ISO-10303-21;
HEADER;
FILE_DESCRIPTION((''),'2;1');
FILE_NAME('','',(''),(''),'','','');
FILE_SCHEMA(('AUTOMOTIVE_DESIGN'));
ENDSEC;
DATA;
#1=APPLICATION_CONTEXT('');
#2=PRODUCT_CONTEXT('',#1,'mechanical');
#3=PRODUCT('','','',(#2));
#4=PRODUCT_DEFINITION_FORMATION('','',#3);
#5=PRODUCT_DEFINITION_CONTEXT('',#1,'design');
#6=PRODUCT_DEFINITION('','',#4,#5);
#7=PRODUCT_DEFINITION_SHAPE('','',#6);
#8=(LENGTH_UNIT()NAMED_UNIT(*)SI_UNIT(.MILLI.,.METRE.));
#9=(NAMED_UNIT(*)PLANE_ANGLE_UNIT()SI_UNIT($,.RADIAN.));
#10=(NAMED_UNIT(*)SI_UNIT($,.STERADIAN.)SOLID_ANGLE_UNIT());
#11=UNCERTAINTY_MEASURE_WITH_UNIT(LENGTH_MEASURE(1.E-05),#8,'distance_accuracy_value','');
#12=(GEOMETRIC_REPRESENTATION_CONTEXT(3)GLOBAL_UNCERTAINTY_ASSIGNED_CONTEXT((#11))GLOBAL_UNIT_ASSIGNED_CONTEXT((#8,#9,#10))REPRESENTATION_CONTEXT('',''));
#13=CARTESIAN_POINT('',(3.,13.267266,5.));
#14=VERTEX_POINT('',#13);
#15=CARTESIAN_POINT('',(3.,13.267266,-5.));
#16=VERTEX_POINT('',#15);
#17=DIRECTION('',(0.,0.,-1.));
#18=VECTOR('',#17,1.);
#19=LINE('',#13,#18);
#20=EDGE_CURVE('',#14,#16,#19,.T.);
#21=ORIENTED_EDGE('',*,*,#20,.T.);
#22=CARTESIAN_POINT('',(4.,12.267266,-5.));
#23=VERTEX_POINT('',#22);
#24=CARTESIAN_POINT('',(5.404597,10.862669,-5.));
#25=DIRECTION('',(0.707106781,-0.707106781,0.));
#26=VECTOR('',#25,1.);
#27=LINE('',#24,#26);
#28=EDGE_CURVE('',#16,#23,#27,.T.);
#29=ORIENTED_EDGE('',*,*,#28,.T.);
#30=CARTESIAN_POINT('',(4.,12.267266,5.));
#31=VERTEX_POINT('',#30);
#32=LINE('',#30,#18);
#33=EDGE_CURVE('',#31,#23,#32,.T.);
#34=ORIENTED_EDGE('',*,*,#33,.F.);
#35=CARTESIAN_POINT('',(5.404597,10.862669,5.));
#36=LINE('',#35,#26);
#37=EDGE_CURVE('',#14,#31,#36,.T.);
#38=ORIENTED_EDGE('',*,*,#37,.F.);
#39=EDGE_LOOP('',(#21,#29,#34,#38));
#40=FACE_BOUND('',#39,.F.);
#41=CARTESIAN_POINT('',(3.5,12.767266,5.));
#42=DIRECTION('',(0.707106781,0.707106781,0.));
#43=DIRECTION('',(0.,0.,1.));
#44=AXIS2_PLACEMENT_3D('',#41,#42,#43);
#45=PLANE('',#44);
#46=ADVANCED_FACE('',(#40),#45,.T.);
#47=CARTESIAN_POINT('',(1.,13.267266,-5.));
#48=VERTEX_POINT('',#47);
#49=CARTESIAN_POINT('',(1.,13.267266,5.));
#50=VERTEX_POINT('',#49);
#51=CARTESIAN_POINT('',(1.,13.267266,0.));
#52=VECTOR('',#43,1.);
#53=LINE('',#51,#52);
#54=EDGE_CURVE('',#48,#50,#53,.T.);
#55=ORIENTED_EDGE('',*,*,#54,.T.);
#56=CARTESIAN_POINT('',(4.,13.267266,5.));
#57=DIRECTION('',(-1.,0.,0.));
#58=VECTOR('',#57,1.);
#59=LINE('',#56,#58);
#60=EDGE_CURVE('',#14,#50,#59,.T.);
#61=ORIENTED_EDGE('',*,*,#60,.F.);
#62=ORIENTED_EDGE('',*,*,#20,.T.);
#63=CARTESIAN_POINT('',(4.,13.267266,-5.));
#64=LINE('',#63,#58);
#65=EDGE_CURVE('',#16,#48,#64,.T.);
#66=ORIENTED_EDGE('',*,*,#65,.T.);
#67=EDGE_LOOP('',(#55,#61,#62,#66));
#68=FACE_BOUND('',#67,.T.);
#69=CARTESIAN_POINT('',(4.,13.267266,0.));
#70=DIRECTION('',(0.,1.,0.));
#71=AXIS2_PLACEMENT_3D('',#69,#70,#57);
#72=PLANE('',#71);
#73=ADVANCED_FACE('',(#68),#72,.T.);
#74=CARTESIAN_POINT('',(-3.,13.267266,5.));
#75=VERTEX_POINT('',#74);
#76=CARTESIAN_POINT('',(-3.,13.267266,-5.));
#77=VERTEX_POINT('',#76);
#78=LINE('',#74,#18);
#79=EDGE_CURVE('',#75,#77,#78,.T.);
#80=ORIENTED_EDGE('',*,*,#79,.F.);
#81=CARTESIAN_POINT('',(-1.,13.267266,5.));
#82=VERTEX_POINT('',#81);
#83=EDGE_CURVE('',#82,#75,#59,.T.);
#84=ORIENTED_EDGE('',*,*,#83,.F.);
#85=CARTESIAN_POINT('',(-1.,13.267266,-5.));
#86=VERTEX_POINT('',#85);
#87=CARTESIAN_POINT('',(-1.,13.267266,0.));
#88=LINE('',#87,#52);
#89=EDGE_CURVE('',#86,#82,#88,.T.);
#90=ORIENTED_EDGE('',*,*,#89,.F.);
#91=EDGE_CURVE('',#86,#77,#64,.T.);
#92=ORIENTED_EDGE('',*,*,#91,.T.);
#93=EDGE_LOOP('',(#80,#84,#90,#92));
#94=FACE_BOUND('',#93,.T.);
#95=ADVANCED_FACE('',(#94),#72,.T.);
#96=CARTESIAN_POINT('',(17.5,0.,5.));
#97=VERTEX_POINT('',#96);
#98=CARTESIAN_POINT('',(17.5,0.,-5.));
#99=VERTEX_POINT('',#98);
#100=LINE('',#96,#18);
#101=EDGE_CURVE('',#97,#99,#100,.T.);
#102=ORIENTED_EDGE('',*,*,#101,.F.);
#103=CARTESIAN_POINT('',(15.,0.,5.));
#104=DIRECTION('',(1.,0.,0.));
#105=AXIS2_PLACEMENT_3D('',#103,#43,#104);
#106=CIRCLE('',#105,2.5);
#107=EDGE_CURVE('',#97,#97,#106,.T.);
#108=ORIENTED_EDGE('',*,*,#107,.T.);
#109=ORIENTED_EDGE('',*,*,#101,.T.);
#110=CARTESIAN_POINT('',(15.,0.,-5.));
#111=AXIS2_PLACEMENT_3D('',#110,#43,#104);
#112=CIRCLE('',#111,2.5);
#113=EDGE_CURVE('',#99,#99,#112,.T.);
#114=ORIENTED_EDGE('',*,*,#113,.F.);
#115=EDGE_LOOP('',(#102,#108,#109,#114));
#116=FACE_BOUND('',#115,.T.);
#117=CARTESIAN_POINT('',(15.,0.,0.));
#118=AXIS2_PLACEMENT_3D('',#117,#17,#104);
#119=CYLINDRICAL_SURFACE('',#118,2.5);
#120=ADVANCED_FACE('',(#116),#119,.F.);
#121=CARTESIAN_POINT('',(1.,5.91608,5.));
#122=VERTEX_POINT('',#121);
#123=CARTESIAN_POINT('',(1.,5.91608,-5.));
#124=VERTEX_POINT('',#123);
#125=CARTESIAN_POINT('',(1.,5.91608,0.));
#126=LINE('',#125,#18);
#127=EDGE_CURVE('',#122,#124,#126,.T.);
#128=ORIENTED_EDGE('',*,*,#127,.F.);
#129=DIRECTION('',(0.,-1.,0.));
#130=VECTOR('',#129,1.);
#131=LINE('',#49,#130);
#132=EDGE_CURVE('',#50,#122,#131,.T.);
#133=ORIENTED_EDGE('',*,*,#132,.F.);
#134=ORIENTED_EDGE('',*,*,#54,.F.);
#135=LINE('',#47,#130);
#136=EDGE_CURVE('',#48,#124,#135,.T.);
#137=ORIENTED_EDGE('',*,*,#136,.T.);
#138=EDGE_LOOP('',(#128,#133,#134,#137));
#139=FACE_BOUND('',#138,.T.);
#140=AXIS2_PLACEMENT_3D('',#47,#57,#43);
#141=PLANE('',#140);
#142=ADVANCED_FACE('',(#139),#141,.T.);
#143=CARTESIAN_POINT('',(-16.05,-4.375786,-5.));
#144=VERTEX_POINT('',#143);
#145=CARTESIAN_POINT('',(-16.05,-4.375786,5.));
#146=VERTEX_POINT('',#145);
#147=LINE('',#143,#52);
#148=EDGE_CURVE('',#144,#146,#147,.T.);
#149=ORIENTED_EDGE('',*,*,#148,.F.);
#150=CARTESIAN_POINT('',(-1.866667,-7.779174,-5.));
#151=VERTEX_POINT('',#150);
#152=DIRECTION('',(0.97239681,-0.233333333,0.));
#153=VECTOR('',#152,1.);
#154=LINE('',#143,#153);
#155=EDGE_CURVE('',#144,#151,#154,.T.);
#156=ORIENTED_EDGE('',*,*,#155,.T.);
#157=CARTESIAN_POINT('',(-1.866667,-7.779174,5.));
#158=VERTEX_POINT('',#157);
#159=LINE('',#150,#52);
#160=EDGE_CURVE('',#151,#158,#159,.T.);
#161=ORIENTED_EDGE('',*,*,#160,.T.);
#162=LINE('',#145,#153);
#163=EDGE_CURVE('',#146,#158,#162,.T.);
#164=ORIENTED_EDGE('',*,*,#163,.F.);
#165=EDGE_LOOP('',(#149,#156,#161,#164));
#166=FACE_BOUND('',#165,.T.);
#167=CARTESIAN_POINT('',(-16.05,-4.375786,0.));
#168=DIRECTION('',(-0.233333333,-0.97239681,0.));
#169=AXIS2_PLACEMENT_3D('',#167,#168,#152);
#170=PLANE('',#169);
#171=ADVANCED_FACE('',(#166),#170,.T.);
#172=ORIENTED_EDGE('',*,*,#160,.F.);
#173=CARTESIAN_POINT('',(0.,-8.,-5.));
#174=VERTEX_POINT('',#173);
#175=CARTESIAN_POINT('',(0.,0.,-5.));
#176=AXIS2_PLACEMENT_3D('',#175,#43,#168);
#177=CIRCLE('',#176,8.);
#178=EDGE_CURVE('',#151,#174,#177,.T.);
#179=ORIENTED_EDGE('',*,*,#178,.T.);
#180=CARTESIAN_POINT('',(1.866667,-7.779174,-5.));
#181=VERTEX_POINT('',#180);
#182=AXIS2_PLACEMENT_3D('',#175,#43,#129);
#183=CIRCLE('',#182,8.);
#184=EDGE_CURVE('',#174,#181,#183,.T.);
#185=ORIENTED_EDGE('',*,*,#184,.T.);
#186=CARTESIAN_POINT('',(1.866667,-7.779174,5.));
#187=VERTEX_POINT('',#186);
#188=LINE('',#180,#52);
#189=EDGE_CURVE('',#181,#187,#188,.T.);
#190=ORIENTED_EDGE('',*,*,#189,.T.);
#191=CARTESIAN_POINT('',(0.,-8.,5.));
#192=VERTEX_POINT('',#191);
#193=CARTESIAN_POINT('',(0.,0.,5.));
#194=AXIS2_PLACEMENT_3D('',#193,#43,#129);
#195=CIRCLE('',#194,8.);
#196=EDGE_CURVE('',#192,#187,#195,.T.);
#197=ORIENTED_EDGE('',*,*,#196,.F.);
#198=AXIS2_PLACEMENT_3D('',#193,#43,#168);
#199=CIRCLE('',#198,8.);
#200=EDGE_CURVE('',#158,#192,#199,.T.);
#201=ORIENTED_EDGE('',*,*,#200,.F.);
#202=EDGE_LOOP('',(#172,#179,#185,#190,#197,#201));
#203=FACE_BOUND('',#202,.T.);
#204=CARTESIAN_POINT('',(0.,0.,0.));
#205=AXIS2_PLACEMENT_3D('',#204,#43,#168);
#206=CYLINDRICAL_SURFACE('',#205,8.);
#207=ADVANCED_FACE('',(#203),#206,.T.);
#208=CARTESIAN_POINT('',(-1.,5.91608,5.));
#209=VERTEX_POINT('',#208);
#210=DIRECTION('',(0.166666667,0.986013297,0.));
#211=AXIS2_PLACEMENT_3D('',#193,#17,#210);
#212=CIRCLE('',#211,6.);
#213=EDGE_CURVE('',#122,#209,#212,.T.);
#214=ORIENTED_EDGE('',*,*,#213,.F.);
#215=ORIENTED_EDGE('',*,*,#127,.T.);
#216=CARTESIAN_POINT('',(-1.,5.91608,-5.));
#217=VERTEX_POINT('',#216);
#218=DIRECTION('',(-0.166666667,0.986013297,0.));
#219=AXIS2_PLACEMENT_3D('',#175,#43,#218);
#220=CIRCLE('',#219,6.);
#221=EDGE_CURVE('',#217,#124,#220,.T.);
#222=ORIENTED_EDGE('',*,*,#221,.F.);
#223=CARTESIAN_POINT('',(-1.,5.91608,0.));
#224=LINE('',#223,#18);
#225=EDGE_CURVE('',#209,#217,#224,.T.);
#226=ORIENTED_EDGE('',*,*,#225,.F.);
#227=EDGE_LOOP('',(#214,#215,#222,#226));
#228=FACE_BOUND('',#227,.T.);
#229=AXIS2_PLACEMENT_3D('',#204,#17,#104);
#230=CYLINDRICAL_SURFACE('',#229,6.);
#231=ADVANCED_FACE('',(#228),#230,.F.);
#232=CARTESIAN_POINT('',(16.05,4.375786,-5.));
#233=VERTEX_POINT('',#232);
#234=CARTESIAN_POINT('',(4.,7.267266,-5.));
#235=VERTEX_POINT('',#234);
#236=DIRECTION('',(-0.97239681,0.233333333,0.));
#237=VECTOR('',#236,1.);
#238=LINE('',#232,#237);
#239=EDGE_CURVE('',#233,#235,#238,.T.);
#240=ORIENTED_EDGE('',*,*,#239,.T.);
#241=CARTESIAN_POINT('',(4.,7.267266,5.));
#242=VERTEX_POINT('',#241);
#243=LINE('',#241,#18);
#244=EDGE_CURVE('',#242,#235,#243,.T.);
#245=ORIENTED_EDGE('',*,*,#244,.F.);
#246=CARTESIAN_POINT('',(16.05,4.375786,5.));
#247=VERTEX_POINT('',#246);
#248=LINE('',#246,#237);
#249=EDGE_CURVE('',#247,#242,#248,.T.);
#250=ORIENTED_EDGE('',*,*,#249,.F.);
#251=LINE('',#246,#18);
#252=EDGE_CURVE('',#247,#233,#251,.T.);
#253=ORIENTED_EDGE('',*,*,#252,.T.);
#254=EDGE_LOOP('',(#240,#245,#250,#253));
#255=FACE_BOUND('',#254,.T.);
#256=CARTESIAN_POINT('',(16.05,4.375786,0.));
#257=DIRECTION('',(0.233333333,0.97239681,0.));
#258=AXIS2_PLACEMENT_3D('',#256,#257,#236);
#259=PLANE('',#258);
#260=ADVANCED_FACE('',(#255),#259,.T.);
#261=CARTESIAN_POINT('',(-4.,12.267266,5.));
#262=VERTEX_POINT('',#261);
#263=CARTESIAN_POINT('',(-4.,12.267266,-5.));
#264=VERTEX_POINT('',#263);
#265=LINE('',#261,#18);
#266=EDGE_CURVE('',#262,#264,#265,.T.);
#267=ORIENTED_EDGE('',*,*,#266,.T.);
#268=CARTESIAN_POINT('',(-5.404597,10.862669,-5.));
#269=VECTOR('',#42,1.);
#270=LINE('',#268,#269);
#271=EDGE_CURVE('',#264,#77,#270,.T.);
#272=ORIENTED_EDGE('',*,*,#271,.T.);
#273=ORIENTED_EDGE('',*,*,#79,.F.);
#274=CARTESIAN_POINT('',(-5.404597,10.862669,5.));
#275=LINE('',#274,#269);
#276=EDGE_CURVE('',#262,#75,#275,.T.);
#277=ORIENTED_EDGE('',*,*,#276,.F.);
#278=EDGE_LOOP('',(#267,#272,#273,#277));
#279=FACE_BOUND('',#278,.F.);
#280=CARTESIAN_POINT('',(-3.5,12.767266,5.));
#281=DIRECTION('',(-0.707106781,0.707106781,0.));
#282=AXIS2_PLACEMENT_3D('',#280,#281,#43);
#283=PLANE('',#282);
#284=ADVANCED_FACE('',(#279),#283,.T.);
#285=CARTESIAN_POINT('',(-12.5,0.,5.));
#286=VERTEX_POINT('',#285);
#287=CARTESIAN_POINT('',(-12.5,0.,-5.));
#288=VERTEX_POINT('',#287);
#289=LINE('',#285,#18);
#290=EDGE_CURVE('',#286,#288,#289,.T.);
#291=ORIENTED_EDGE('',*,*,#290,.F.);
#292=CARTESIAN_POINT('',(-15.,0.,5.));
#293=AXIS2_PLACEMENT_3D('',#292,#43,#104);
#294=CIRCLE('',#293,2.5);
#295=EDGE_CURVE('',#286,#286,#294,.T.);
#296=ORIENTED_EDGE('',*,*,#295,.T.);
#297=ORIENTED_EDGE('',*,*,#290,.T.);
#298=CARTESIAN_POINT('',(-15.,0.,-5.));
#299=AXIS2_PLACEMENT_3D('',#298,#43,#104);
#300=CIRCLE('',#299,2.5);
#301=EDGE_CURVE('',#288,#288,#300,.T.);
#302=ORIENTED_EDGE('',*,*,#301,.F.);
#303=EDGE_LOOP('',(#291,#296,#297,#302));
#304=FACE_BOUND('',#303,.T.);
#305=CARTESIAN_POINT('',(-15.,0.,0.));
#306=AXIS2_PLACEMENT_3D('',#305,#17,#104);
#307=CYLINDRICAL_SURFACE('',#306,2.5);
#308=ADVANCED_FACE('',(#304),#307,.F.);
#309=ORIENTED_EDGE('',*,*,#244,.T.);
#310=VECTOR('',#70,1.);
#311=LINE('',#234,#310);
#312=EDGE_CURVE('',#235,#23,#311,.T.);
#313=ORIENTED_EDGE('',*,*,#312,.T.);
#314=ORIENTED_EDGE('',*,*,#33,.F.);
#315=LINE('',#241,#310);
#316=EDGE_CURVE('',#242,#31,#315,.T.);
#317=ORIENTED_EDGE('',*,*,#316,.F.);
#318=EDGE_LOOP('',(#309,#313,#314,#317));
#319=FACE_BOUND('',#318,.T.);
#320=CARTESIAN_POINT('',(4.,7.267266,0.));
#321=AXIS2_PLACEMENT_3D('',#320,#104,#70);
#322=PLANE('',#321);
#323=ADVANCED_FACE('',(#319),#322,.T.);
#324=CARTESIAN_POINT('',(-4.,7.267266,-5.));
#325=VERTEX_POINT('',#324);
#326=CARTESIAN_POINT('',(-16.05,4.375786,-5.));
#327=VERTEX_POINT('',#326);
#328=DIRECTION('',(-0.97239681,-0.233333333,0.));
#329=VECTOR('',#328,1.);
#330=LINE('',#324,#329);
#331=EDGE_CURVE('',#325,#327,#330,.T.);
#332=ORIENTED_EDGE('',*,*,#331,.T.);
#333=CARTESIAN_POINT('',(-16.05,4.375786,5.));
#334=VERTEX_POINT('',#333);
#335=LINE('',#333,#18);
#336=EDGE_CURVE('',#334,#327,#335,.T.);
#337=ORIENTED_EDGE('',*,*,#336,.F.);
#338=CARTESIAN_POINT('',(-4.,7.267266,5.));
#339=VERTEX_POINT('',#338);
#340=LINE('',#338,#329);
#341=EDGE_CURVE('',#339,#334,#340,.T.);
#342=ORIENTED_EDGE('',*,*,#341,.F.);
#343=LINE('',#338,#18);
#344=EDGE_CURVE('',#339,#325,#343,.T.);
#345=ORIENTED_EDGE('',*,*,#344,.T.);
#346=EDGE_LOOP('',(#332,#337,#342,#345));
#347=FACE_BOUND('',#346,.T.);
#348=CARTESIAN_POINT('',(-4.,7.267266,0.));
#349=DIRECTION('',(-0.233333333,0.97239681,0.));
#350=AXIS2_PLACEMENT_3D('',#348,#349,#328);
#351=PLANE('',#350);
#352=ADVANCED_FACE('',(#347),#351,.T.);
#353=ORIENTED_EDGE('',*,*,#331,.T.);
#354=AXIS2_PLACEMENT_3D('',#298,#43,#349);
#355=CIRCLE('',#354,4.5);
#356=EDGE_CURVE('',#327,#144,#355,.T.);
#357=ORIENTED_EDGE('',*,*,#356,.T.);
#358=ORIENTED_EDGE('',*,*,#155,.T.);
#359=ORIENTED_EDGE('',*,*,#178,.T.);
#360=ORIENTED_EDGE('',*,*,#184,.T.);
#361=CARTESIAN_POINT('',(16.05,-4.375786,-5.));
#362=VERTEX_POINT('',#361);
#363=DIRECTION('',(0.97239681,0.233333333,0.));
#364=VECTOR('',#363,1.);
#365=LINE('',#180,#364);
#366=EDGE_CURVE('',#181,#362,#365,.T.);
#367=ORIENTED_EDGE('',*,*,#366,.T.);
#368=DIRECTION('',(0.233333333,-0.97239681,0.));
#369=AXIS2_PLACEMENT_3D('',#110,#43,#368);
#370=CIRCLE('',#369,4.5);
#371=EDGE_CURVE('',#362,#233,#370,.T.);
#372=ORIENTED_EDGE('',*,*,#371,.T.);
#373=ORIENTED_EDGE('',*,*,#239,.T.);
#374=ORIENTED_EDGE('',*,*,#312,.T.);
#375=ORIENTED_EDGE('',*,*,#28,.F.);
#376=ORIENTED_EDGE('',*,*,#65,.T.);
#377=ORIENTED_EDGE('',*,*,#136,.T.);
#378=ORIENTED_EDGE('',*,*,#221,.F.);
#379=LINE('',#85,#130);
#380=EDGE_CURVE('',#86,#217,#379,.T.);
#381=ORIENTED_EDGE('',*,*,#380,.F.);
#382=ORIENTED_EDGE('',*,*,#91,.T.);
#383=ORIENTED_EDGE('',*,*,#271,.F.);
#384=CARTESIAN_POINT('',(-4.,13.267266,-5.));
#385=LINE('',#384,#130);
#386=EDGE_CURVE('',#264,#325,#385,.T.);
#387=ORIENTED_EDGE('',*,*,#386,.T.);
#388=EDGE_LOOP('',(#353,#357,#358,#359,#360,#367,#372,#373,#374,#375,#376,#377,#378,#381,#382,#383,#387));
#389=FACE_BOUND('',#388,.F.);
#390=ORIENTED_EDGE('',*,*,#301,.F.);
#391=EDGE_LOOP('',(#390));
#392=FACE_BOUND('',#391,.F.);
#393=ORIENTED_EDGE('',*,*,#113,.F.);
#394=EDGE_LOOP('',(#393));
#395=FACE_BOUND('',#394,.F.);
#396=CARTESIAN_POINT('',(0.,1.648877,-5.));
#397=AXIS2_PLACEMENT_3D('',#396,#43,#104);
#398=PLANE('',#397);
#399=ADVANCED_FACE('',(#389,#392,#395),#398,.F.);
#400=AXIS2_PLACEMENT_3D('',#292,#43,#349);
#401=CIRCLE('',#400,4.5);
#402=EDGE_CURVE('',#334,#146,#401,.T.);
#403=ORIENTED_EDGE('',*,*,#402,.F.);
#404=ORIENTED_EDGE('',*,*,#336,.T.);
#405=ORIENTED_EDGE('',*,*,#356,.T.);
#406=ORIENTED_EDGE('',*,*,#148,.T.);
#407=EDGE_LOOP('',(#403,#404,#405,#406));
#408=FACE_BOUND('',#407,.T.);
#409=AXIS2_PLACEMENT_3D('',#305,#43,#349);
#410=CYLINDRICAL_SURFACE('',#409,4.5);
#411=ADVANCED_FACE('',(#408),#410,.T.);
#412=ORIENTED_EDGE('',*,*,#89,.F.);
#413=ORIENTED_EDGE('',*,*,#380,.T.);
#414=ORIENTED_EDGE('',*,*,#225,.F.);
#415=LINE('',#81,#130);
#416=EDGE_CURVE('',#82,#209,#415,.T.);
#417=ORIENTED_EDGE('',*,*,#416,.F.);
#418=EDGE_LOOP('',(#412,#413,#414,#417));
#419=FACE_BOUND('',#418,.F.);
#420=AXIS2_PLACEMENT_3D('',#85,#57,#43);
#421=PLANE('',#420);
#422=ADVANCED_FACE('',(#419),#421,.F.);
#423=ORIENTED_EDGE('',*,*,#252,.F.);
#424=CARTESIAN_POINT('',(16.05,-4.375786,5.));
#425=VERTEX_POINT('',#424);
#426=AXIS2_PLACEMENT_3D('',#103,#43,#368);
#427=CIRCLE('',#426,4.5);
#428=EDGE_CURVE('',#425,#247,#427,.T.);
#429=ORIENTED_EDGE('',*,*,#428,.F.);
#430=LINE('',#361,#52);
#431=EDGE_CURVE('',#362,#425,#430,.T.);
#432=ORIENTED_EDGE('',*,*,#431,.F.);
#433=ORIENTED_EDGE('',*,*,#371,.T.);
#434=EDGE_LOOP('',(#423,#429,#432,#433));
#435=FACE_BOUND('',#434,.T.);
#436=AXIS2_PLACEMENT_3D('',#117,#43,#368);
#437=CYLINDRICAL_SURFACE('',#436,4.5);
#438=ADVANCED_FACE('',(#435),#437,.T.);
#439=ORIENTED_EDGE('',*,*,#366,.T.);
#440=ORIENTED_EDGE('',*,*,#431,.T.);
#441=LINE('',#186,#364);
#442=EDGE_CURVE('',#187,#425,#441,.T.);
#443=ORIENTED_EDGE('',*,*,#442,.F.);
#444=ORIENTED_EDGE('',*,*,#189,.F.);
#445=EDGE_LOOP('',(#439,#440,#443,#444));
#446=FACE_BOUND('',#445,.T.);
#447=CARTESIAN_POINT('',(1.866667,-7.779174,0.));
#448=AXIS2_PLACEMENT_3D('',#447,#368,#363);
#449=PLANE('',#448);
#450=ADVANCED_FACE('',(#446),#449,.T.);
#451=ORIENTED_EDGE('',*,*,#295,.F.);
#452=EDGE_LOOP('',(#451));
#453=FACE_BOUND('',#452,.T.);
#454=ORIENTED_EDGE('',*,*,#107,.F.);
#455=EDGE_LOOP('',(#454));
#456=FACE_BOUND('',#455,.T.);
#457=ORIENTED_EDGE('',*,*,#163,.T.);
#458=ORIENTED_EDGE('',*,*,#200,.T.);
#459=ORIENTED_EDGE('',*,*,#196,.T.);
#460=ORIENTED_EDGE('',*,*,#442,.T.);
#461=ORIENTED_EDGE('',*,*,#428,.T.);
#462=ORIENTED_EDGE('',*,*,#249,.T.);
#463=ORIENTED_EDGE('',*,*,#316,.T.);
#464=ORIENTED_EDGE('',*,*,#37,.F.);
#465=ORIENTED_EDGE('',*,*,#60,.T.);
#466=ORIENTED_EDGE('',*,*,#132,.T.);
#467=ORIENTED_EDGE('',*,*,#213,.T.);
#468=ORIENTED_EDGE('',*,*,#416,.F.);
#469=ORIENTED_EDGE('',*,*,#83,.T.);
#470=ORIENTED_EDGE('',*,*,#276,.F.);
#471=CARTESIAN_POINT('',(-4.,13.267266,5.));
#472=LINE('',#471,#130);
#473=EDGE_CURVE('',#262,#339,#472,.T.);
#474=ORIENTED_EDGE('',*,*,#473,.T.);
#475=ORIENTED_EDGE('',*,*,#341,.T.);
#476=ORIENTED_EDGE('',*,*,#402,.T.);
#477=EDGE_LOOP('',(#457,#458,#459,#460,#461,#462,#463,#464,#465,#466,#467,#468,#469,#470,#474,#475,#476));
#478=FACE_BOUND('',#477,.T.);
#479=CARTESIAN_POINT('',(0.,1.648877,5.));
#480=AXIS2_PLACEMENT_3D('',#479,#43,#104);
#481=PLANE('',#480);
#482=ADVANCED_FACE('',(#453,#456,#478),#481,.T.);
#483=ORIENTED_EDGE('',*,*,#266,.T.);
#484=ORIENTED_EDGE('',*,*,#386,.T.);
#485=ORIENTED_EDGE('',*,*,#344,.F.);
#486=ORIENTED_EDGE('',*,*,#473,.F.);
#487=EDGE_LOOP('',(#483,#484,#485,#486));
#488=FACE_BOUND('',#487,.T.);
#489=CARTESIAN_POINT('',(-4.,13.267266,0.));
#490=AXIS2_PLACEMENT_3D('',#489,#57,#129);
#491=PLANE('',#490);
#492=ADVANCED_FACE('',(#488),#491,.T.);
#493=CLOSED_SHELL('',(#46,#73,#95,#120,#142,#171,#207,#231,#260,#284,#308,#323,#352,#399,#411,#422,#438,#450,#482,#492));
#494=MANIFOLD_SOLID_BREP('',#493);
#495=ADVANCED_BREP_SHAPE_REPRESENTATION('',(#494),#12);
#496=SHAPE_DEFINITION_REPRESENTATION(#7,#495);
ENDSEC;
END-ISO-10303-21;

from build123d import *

# Parameters (mm, degrees)
F0_R     = 2.5
F0_R_2   = 6
F1_DEPTH = 5
F2_W     = 2
F2_H     = 10
F3_DEPTH = 7.3521866209
F4_SIZE  = 1


with BuildPart() as f1:
    # F0 (on Top) → F1 (new body, symmetric)
    with BuildSketch(Plane.XY):
        with BuildLine():
            ThreePointArc((-16.05, 4.3757856437), (-19.5, 0), (-16.05, -4.3757856437))
            Line((-16.05, -4.3757856437), (-1.8666666667, -7.7791744778))
            ThreePointArc((-1.8666666667, -7.7791744778), (-0.9398415233, -7.9446018095), (0, -8))
            ThreePointArc((0, -8), (0.9398415233, -7.9446018095), (1.8666666667, -7.7791744778))
            Line((1.8666666667, -7.7791744778), (16.05, -4.3757856437))
            ThreePointArc((16.05, -4.3757856437), (19.5, 0), (16.05, 4.3757856437))
            Line((16.05, 4.3757856437), (4, 7.267266404))
            Line((4, 7.267266404), (4, 13.267266404))
            Line((4, 13.267266404), (0, 13.267266404))
            Line((0, 13.267266404), (-4, 13.267266404))
            Line((-4, 13.267266404), (-4, 7.267266404))
            Line((-4, 7.267266404), (-16.05, 4.3757856437))
        make_face()
        with Locations((-15, 0)):
            Circle(F0_R, mode=Mode.SUBTRACT)
        Circle(F0_R_2, mode=Mode.SUBTRACT)
        with Locations((15, 0)):
            Circle(F0_R, mode=Mode.SUBTRACT)
    extrude(amount=F1_DEPTH, both=True)

    # F2 (on face) → F3 (cut, through all)
    with BuildSketch(Plane(origin=(0, 13.267266404, 0), x_dir=(-1, 0, 0), z_dir=(0, 1, 0))):
        Rectangle(F2_W, F2_H)
    extrude(amount=-F3_DEPTH, mode=Mode.SUBTRACT)

    # F4
    f4_edges = [f1.edges().sort_by_distance(p)[0] for p in [
        (-4, 13.267266, 0),
        (4, 13.267266, 0),
    ]]
    chamfer(f4_edges, length=F4_SIZE)


solid = f1.part
